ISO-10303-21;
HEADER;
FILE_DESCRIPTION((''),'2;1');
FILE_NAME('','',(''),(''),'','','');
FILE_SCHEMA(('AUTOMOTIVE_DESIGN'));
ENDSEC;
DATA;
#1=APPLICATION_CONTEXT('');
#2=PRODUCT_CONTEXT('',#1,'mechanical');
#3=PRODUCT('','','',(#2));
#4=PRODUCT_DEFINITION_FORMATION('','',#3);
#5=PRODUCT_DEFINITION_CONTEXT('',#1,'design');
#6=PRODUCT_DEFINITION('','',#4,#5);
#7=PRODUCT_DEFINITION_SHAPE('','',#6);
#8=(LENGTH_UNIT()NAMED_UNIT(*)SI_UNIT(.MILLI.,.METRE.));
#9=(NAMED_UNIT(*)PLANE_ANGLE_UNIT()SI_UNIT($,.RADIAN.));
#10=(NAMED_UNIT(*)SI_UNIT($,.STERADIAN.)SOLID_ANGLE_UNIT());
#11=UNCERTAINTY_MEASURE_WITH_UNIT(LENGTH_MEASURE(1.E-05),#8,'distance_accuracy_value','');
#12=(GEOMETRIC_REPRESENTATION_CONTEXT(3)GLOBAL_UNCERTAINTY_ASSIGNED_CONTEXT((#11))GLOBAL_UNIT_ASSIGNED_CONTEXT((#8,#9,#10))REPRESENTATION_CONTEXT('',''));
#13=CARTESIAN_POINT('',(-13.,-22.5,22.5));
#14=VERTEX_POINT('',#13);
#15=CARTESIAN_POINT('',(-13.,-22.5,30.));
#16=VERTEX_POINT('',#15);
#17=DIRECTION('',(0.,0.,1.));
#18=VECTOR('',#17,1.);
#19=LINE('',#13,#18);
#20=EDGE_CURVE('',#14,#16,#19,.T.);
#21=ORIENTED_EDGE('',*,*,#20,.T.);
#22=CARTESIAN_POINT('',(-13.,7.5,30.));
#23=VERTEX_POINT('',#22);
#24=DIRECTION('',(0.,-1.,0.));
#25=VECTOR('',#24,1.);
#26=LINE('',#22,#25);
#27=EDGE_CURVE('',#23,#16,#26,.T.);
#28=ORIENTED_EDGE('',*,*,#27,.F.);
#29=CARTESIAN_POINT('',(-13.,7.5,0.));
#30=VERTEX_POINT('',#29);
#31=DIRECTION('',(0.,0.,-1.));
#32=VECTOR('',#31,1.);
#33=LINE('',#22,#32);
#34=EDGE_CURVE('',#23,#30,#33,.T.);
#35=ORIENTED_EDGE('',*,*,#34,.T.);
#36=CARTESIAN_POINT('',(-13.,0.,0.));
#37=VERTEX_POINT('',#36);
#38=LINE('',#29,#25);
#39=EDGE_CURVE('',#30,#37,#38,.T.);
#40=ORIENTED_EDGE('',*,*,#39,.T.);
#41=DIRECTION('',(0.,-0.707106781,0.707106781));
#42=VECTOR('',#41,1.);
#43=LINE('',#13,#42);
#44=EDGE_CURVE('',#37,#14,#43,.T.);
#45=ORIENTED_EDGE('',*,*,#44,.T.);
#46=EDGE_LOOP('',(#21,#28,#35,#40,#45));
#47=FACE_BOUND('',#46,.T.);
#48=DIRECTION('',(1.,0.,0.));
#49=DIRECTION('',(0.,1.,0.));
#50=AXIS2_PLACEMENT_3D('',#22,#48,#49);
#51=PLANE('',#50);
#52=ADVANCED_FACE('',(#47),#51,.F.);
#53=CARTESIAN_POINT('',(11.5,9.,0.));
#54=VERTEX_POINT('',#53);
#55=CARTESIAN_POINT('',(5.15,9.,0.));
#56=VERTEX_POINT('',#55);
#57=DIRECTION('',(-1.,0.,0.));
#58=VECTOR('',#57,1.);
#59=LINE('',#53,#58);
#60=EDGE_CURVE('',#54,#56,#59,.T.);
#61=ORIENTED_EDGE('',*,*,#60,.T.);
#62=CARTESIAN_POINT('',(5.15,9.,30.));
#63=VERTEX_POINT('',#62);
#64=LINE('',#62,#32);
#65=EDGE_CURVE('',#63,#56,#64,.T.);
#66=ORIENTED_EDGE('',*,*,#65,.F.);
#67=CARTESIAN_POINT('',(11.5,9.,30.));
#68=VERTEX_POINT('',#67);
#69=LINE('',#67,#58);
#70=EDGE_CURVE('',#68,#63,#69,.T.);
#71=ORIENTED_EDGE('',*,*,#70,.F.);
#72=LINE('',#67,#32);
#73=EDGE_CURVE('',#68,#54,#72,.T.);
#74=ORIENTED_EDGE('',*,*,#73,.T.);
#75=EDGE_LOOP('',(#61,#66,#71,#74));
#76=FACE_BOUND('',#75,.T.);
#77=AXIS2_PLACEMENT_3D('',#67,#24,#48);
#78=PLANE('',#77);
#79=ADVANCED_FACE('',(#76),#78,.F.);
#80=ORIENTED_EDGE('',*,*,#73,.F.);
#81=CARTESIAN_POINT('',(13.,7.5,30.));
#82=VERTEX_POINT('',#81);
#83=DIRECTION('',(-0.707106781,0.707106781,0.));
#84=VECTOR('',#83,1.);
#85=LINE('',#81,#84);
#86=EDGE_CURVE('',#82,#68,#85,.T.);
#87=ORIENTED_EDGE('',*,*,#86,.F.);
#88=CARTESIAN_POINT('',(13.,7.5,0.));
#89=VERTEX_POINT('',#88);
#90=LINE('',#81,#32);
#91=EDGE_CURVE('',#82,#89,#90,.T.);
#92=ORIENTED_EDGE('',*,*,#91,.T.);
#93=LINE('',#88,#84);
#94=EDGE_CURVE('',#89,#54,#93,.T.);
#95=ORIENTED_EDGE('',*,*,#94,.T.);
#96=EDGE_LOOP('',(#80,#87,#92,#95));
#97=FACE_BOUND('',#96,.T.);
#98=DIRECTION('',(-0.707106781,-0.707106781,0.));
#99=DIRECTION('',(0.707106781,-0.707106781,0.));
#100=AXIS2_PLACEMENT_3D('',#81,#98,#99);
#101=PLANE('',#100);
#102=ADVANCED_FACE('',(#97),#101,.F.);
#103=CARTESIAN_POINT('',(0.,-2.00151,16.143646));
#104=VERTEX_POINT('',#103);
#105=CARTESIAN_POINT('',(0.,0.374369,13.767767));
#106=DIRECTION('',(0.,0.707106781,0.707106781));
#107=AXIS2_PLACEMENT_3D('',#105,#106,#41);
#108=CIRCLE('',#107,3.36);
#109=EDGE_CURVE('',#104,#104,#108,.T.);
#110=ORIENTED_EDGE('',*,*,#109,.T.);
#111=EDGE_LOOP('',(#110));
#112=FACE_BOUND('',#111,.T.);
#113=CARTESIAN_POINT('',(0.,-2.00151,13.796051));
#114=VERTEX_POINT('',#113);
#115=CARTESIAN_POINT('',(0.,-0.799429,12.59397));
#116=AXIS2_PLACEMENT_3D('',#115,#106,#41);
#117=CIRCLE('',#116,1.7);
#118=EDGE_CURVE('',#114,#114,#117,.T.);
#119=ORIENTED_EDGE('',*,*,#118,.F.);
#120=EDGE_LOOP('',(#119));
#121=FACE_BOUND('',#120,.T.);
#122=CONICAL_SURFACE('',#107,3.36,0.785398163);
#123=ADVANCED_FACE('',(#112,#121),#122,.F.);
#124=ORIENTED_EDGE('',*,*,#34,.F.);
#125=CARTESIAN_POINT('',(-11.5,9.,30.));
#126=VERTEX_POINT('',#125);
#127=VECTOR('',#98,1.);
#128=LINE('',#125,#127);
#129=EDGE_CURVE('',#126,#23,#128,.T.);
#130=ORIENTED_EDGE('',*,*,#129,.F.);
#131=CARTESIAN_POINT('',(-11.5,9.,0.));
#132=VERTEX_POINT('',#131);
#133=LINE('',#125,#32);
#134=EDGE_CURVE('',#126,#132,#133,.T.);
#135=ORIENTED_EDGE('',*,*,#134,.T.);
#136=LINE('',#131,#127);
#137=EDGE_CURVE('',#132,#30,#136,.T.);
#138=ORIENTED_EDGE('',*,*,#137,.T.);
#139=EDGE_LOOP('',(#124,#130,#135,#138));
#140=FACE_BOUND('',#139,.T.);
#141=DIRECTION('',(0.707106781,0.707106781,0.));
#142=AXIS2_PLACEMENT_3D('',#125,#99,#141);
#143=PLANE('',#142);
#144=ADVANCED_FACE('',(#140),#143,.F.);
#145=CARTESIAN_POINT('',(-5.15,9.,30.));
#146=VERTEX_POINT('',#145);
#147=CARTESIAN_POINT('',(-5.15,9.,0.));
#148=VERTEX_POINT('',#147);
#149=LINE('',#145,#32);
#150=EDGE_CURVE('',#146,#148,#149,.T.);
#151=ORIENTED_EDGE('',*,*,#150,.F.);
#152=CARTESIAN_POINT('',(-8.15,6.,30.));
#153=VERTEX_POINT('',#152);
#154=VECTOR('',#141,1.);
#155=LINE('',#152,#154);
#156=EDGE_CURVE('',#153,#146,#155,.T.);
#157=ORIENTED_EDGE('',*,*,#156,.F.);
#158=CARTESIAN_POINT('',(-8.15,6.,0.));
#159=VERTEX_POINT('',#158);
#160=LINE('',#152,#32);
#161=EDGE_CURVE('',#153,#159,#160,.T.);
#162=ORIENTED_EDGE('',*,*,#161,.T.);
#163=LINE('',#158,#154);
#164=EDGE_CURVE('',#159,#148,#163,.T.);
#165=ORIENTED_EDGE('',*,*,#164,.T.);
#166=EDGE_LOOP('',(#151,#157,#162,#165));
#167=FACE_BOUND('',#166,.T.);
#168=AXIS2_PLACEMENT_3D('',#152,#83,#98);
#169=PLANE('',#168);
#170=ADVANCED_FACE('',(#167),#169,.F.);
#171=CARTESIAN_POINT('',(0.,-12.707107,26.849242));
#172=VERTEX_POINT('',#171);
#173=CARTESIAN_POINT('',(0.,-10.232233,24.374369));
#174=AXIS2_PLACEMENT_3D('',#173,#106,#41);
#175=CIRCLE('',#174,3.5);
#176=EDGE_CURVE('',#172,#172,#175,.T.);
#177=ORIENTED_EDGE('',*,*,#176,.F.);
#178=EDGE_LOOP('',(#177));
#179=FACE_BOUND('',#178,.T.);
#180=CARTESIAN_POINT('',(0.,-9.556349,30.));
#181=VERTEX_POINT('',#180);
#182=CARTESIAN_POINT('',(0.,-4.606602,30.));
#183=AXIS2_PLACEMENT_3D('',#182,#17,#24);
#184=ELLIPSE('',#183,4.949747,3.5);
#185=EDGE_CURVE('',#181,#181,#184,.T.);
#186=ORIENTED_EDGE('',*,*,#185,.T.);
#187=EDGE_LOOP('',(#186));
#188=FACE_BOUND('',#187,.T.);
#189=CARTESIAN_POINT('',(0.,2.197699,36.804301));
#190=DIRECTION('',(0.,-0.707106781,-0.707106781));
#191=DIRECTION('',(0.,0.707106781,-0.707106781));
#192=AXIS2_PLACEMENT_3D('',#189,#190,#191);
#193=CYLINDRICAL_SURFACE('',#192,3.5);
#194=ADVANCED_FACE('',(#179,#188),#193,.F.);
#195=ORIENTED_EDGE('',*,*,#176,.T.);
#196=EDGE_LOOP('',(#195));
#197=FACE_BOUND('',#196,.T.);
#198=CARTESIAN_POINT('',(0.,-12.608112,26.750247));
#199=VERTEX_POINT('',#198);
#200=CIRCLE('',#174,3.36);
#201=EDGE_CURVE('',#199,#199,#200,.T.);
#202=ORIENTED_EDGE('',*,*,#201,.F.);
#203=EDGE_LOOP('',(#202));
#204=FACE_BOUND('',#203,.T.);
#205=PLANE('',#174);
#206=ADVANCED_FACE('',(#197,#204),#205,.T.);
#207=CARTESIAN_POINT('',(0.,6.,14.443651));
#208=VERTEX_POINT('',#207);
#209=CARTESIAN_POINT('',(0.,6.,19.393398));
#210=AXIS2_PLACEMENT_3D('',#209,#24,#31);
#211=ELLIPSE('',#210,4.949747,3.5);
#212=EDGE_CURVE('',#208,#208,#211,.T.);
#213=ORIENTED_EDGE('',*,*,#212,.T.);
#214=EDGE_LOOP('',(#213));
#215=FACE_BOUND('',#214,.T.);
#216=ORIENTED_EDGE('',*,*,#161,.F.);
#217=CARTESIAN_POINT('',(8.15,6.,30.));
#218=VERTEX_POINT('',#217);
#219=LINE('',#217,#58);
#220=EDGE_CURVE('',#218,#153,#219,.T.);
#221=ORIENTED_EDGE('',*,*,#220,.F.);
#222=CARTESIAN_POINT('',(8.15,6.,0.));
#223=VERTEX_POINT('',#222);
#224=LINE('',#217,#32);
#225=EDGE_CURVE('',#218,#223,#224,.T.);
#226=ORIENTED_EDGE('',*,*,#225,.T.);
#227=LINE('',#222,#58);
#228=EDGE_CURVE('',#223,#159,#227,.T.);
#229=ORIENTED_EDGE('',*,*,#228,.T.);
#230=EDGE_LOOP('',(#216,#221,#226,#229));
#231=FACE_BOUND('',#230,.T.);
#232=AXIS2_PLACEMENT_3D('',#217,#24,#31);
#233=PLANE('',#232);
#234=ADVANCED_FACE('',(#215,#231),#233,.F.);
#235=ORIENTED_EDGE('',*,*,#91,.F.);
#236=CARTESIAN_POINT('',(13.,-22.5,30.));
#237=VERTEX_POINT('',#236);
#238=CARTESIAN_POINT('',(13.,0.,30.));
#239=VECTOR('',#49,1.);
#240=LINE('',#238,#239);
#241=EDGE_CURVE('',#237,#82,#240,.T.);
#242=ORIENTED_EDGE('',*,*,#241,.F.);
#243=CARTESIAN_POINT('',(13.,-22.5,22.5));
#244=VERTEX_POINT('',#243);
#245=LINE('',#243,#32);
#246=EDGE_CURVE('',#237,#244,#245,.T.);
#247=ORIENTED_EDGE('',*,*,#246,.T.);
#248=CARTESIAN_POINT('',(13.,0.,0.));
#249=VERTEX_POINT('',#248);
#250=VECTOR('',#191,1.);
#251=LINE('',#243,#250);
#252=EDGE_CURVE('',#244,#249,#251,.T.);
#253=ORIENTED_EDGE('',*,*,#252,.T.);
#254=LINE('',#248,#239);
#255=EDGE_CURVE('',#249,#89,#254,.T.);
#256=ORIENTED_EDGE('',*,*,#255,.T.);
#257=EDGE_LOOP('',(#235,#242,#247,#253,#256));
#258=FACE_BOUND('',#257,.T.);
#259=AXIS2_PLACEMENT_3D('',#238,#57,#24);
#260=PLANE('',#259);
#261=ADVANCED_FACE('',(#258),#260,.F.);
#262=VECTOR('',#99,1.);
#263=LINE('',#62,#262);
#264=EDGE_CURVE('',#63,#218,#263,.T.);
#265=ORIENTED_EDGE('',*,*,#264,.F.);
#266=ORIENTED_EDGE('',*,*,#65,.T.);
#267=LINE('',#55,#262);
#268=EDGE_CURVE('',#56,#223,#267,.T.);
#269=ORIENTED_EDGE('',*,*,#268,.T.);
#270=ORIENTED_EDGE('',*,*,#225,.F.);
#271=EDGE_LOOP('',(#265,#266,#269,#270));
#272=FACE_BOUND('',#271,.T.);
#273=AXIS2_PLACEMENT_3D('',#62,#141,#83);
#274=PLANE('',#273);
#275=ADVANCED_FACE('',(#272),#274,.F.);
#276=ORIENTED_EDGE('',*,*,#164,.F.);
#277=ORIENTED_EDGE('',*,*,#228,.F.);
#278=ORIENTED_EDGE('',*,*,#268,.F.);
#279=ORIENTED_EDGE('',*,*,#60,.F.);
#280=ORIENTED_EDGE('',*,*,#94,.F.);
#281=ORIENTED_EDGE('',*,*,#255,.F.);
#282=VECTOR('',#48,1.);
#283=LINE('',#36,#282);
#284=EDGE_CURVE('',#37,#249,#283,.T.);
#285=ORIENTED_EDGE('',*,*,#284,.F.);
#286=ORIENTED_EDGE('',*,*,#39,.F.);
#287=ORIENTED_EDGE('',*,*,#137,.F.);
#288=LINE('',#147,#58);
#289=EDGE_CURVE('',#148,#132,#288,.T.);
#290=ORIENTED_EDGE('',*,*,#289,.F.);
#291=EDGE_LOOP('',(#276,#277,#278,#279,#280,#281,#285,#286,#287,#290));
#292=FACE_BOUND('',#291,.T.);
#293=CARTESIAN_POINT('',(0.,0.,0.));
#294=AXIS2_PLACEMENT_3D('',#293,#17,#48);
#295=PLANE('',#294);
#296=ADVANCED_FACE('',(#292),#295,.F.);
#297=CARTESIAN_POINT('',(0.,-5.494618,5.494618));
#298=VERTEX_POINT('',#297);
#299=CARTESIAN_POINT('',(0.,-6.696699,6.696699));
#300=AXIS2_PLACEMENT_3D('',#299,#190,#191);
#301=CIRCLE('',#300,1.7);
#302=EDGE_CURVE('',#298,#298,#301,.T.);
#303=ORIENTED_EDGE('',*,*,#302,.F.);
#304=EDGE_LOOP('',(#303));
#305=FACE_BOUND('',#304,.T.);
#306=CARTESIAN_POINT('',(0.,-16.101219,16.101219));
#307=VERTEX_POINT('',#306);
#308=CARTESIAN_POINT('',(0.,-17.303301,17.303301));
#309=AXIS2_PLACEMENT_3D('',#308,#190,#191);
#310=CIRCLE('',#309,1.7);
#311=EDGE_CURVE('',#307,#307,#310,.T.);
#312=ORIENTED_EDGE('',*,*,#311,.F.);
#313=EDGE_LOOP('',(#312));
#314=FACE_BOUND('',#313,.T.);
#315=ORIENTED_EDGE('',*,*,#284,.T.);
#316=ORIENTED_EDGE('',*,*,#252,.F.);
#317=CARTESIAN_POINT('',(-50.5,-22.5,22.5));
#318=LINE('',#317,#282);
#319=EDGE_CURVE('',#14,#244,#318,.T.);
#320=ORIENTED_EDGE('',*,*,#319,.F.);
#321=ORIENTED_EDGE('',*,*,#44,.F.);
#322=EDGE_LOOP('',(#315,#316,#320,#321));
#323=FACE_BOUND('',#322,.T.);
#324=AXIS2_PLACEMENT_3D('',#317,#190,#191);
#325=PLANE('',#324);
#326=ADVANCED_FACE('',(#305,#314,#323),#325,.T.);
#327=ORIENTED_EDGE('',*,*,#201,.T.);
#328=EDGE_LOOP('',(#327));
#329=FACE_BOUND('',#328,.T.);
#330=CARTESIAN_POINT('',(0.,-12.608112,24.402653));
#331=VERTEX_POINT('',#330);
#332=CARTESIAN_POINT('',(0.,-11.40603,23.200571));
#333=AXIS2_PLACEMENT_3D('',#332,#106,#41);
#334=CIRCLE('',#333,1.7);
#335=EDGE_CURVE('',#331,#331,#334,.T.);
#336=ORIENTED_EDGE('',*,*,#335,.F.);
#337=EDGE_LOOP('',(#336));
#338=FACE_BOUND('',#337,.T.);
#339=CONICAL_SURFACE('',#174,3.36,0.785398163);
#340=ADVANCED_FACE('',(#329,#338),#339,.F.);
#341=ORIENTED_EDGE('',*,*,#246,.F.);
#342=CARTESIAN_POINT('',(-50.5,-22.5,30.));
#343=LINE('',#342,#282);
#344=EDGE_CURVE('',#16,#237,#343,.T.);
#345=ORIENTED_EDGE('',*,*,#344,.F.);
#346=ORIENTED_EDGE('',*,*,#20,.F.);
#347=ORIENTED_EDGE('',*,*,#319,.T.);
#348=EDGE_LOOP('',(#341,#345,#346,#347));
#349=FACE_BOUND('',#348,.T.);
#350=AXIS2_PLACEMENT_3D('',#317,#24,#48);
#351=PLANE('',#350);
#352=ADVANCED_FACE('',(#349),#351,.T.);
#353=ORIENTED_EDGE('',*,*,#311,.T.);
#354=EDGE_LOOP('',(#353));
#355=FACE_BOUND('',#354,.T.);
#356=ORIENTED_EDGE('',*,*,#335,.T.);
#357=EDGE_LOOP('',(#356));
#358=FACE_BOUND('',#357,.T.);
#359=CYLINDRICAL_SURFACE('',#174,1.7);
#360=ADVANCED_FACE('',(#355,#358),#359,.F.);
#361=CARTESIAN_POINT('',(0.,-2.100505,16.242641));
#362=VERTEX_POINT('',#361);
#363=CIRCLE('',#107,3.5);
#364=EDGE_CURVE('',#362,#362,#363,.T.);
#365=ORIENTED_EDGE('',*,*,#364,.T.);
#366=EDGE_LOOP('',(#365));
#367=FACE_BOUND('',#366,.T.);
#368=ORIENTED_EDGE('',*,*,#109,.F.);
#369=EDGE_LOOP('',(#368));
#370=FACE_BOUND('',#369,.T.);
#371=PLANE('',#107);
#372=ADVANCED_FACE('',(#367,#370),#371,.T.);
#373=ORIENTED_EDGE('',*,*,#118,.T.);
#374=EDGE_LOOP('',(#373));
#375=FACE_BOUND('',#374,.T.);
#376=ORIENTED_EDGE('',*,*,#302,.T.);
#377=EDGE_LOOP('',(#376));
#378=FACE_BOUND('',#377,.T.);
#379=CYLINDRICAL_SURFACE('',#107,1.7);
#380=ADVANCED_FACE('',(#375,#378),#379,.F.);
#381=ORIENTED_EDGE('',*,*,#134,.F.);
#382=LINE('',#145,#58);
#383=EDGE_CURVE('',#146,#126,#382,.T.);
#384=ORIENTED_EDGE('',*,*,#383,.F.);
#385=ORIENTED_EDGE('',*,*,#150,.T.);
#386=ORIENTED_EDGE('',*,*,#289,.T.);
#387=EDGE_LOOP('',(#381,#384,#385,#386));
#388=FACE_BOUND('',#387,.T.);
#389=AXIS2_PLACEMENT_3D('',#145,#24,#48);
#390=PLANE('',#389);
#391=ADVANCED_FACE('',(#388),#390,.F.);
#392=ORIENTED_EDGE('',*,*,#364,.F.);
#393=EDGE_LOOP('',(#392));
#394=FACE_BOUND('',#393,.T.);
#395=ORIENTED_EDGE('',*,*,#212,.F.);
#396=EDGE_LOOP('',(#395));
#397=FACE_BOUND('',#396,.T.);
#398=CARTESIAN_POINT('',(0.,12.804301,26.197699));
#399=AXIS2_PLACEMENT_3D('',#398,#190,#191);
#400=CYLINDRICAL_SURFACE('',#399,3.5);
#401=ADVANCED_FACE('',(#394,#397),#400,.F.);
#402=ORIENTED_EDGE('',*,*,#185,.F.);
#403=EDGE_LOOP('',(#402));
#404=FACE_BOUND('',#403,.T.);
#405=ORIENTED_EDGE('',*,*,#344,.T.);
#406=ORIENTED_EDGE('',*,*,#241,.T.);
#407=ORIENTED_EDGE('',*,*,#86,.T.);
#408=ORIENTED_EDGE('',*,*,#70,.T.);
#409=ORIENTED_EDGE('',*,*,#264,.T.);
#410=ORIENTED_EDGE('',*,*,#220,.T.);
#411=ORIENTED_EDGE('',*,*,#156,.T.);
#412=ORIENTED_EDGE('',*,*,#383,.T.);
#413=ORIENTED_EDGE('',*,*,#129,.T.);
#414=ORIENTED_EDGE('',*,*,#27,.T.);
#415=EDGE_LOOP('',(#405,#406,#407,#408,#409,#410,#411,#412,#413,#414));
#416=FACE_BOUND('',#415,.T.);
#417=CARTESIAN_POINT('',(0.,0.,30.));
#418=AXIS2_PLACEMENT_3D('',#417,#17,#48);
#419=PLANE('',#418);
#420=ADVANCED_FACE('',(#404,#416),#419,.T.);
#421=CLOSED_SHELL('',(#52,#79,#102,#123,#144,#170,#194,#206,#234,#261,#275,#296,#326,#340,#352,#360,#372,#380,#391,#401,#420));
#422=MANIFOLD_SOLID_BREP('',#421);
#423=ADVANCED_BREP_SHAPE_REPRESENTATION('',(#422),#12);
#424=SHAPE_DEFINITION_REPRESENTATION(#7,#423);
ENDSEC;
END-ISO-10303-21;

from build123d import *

# Parameters (mm, degrees)
BOSS_EXTRUDE1_DEPTH                                  = 30
BOSS_EXTRUDE2_DEPTH                                  = 26
CUT_EXTRUDE1_REACH                                   = 41.613
SKETCH8_R                                            = 3.5
CSK_FOR_M3_HEX_SOCKET_COUNTERSUNK_CAP_SC_D           = 3.4
CSK_FOR_M3_HEX_SOCKET_COUNTERSUNK_CAP_SC_CSINK_D     = 6.72
CSK_FOR_M3_HEX_SOCKET_COUNTERSUNK_CAP_SC_CSINK_ANGLE = 90


with BuildPart() as part:
    # Sketch2 → Boss-Extrude1 (new body)
    with BuildSketch(Plane.XY):
        Polygon((-13, 0), (13, 0), (13, 7.5), (11.5, 9), (5.15, 9), (8.15, 6), (-8.15, 6), (-5.15, 9), (-11.5, 9), (-13, 7.5), align=None)
    extrude(amount=BOSS_EXTRUDE1_DEPTH)

    # Sketch3 → Boss-Extrude2 (add)
    with BuildSketch(Plane(origin=(13, 0, 0), x_dir=(0, 0, -1), z_dir=(1, 0, 0))):
        Polygon((-30, 0), (-30, -22.5), (-22.5, -22.5), (0, 0), align=None)
    extrude(amount=-BOSS_EXTRUDE2_DEPTH)

    # Sketch8 → Cut-Extrude1 (cut, up to next)
    with BuildSketch(Plane(origin=(0, 7.071067812, 7.071067812), x_dir=(1, 0, 0), z_dir=(0, 0.7071067811865462, 0.7071067811865489)), mode=Mode.PRIVATE) as cut_extrude1_sk1:
        with Locations(Location((0, -9.470562748, 0), (0, 0, 90))):
            Circle(SKETCH8_R)
    cut_extrude1_tool1 = extrude(cut_extrude1_sk1.sketch, amount=CUT_EXTRUDE1_REACH, mode=Mode.PRIVATE) & part.part
    # Sketch8 → Cut-Extrude1 (cut, up to next)
    with BuildSketch(Plane(origin=(0, 7.071067812, 7.071067812), x_dir=(1, 0, 0), z_dir=(0, 0.7071067811865462, 0.7071067811865489)), mode=Mode.PRIVATE) as cut_extrude1_sk2:
        with Locations(Location((0, -24.470562748, 0), (0, 0, 270))):
            Circle(SKETCH8_R)
    cut_extrude1_tool2 = extrude(cut_extrude1_sk2.sketch, amount=CUT_EXTRUDE1_REACH, mode=Mode.PRIVATE) & part.part
    add(cut_extrude1_tool1.solids().sort_by_distance((0, 0.374369, 13.767767))[0], mode=Mode.SUBTRACT)
    add(cut_extrude1_tool2.solids().sort_by_distance((0, -10.232233, 24.374369))[0], mode=Mode.SUBTRACT)

    # CSK for M3 Hex Socket Countersunk Cap Screw3 (through all)
    with Locations(Plane(origin=(0, 7.071067812, 7.071067812), x_dir=(1, 0, 0), z_dir=(0, 0.7071067811865462, 0.7071067811865489))):
        with Locations((0, -9.470562748), (0, -24.470562748)):
            CounterSinkHole(CSK_FOR_M3_HEX_SOCKET_COUNTERSUNK_CAP_SC_D / 2, CSK_FOR_M3_HEX_SOCKET_COUNTERSUNK_CAP_SC_CSINK_D / 2, counter_sink_angle=CSK_FOR_M3_HEX_SOCKET_COUNTERSUNK_CAP_SC_CSINK_ANGLE)


solid = part.part
